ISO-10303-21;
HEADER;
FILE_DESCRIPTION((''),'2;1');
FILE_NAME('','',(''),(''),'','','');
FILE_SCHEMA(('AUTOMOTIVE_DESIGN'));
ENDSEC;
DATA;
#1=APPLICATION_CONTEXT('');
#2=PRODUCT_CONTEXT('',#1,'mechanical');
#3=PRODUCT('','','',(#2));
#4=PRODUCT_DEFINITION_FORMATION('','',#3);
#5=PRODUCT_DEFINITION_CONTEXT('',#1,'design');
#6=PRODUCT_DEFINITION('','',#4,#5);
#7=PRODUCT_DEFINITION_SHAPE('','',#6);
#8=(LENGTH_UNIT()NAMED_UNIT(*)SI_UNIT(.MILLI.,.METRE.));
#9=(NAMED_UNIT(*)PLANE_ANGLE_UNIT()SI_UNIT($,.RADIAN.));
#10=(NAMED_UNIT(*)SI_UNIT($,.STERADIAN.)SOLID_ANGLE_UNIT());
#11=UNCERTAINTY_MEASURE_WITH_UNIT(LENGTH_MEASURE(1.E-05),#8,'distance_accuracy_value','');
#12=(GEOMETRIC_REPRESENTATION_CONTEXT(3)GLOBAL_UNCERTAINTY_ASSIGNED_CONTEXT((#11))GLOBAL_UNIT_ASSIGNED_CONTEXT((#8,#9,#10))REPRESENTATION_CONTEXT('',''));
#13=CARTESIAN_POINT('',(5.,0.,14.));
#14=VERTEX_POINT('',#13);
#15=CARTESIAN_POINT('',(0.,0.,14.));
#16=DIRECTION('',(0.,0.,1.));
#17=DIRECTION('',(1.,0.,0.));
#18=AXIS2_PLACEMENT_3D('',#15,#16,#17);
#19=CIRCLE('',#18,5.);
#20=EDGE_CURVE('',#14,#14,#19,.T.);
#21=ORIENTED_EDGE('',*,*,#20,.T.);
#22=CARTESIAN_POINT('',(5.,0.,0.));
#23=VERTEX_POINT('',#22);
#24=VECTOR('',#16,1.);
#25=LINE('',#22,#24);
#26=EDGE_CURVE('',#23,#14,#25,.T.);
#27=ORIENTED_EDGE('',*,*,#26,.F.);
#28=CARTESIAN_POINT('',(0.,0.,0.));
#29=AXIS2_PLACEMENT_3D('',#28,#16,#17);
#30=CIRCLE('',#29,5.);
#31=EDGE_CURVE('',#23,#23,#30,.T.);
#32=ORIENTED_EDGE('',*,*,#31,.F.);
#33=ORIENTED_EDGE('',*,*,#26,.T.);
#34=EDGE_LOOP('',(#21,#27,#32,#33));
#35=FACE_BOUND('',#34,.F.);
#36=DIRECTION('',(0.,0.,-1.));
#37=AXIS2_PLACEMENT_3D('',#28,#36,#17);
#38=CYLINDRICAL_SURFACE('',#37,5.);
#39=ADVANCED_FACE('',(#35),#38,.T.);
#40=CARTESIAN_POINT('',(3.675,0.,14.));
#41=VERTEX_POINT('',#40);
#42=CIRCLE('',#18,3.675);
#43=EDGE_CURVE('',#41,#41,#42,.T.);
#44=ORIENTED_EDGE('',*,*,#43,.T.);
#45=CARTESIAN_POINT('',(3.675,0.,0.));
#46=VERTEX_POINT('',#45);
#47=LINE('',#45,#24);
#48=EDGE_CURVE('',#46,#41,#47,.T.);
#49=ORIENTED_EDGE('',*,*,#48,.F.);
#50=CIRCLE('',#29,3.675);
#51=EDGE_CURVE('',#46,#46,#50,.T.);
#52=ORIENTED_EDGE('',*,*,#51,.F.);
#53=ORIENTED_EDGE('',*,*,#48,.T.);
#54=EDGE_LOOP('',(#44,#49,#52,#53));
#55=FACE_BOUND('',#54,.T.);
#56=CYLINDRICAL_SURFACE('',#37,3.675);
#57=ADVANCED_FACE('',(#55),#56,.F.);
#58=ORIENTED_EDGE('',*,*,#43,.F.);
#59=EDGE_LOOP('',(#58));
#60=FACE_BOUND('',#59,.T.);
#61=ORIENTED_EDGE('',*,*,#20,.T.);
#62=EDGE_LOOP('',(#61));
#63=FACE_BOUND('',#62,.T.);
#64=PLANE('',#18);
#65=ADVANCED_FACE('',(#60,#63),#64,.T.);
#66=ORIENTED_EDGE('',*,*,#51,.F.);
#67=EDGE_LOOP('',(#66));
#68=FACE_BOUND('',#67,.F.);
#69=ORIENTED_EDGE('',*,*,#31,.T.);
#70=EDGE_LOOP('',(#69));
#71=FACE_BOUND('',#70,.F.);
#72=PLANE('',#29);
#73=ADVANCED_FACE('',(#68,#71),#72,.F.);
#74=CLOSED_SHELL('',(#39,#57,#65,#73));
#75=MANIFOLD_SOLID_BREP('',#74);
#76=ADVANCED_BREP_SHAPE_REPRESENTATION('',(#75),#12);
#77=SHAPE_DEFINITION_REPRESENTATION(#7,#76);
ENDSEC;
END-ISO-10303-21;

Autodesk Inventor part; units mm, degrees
ref_plane "YZ Plane" through (0, 0, 0) normal (1, 0, 0) x (0, 1, 0)
ref_plane "XZ Plane" through (0, 0, 0) normal (0, 1, 0) x (-1, 0, 0)
ref_plane "XY Plane" through (0, 0, 0) normal (0, 0, 1) x (1, 0, 0)
sketch "Sketch1" plane through (0, 0, 0) normal (0, 0, 1) x (1, 0, 0)
  circle A0 centre (0, 0) radius 3.675
  circle A1 centre (0, 0) radius 5
  dimension "d0" = 7.35
  dimension "d1" = 10
extrude "Extrusion1" add sketch "Sketch1" along normal blind 14
properties part number "spacer"
